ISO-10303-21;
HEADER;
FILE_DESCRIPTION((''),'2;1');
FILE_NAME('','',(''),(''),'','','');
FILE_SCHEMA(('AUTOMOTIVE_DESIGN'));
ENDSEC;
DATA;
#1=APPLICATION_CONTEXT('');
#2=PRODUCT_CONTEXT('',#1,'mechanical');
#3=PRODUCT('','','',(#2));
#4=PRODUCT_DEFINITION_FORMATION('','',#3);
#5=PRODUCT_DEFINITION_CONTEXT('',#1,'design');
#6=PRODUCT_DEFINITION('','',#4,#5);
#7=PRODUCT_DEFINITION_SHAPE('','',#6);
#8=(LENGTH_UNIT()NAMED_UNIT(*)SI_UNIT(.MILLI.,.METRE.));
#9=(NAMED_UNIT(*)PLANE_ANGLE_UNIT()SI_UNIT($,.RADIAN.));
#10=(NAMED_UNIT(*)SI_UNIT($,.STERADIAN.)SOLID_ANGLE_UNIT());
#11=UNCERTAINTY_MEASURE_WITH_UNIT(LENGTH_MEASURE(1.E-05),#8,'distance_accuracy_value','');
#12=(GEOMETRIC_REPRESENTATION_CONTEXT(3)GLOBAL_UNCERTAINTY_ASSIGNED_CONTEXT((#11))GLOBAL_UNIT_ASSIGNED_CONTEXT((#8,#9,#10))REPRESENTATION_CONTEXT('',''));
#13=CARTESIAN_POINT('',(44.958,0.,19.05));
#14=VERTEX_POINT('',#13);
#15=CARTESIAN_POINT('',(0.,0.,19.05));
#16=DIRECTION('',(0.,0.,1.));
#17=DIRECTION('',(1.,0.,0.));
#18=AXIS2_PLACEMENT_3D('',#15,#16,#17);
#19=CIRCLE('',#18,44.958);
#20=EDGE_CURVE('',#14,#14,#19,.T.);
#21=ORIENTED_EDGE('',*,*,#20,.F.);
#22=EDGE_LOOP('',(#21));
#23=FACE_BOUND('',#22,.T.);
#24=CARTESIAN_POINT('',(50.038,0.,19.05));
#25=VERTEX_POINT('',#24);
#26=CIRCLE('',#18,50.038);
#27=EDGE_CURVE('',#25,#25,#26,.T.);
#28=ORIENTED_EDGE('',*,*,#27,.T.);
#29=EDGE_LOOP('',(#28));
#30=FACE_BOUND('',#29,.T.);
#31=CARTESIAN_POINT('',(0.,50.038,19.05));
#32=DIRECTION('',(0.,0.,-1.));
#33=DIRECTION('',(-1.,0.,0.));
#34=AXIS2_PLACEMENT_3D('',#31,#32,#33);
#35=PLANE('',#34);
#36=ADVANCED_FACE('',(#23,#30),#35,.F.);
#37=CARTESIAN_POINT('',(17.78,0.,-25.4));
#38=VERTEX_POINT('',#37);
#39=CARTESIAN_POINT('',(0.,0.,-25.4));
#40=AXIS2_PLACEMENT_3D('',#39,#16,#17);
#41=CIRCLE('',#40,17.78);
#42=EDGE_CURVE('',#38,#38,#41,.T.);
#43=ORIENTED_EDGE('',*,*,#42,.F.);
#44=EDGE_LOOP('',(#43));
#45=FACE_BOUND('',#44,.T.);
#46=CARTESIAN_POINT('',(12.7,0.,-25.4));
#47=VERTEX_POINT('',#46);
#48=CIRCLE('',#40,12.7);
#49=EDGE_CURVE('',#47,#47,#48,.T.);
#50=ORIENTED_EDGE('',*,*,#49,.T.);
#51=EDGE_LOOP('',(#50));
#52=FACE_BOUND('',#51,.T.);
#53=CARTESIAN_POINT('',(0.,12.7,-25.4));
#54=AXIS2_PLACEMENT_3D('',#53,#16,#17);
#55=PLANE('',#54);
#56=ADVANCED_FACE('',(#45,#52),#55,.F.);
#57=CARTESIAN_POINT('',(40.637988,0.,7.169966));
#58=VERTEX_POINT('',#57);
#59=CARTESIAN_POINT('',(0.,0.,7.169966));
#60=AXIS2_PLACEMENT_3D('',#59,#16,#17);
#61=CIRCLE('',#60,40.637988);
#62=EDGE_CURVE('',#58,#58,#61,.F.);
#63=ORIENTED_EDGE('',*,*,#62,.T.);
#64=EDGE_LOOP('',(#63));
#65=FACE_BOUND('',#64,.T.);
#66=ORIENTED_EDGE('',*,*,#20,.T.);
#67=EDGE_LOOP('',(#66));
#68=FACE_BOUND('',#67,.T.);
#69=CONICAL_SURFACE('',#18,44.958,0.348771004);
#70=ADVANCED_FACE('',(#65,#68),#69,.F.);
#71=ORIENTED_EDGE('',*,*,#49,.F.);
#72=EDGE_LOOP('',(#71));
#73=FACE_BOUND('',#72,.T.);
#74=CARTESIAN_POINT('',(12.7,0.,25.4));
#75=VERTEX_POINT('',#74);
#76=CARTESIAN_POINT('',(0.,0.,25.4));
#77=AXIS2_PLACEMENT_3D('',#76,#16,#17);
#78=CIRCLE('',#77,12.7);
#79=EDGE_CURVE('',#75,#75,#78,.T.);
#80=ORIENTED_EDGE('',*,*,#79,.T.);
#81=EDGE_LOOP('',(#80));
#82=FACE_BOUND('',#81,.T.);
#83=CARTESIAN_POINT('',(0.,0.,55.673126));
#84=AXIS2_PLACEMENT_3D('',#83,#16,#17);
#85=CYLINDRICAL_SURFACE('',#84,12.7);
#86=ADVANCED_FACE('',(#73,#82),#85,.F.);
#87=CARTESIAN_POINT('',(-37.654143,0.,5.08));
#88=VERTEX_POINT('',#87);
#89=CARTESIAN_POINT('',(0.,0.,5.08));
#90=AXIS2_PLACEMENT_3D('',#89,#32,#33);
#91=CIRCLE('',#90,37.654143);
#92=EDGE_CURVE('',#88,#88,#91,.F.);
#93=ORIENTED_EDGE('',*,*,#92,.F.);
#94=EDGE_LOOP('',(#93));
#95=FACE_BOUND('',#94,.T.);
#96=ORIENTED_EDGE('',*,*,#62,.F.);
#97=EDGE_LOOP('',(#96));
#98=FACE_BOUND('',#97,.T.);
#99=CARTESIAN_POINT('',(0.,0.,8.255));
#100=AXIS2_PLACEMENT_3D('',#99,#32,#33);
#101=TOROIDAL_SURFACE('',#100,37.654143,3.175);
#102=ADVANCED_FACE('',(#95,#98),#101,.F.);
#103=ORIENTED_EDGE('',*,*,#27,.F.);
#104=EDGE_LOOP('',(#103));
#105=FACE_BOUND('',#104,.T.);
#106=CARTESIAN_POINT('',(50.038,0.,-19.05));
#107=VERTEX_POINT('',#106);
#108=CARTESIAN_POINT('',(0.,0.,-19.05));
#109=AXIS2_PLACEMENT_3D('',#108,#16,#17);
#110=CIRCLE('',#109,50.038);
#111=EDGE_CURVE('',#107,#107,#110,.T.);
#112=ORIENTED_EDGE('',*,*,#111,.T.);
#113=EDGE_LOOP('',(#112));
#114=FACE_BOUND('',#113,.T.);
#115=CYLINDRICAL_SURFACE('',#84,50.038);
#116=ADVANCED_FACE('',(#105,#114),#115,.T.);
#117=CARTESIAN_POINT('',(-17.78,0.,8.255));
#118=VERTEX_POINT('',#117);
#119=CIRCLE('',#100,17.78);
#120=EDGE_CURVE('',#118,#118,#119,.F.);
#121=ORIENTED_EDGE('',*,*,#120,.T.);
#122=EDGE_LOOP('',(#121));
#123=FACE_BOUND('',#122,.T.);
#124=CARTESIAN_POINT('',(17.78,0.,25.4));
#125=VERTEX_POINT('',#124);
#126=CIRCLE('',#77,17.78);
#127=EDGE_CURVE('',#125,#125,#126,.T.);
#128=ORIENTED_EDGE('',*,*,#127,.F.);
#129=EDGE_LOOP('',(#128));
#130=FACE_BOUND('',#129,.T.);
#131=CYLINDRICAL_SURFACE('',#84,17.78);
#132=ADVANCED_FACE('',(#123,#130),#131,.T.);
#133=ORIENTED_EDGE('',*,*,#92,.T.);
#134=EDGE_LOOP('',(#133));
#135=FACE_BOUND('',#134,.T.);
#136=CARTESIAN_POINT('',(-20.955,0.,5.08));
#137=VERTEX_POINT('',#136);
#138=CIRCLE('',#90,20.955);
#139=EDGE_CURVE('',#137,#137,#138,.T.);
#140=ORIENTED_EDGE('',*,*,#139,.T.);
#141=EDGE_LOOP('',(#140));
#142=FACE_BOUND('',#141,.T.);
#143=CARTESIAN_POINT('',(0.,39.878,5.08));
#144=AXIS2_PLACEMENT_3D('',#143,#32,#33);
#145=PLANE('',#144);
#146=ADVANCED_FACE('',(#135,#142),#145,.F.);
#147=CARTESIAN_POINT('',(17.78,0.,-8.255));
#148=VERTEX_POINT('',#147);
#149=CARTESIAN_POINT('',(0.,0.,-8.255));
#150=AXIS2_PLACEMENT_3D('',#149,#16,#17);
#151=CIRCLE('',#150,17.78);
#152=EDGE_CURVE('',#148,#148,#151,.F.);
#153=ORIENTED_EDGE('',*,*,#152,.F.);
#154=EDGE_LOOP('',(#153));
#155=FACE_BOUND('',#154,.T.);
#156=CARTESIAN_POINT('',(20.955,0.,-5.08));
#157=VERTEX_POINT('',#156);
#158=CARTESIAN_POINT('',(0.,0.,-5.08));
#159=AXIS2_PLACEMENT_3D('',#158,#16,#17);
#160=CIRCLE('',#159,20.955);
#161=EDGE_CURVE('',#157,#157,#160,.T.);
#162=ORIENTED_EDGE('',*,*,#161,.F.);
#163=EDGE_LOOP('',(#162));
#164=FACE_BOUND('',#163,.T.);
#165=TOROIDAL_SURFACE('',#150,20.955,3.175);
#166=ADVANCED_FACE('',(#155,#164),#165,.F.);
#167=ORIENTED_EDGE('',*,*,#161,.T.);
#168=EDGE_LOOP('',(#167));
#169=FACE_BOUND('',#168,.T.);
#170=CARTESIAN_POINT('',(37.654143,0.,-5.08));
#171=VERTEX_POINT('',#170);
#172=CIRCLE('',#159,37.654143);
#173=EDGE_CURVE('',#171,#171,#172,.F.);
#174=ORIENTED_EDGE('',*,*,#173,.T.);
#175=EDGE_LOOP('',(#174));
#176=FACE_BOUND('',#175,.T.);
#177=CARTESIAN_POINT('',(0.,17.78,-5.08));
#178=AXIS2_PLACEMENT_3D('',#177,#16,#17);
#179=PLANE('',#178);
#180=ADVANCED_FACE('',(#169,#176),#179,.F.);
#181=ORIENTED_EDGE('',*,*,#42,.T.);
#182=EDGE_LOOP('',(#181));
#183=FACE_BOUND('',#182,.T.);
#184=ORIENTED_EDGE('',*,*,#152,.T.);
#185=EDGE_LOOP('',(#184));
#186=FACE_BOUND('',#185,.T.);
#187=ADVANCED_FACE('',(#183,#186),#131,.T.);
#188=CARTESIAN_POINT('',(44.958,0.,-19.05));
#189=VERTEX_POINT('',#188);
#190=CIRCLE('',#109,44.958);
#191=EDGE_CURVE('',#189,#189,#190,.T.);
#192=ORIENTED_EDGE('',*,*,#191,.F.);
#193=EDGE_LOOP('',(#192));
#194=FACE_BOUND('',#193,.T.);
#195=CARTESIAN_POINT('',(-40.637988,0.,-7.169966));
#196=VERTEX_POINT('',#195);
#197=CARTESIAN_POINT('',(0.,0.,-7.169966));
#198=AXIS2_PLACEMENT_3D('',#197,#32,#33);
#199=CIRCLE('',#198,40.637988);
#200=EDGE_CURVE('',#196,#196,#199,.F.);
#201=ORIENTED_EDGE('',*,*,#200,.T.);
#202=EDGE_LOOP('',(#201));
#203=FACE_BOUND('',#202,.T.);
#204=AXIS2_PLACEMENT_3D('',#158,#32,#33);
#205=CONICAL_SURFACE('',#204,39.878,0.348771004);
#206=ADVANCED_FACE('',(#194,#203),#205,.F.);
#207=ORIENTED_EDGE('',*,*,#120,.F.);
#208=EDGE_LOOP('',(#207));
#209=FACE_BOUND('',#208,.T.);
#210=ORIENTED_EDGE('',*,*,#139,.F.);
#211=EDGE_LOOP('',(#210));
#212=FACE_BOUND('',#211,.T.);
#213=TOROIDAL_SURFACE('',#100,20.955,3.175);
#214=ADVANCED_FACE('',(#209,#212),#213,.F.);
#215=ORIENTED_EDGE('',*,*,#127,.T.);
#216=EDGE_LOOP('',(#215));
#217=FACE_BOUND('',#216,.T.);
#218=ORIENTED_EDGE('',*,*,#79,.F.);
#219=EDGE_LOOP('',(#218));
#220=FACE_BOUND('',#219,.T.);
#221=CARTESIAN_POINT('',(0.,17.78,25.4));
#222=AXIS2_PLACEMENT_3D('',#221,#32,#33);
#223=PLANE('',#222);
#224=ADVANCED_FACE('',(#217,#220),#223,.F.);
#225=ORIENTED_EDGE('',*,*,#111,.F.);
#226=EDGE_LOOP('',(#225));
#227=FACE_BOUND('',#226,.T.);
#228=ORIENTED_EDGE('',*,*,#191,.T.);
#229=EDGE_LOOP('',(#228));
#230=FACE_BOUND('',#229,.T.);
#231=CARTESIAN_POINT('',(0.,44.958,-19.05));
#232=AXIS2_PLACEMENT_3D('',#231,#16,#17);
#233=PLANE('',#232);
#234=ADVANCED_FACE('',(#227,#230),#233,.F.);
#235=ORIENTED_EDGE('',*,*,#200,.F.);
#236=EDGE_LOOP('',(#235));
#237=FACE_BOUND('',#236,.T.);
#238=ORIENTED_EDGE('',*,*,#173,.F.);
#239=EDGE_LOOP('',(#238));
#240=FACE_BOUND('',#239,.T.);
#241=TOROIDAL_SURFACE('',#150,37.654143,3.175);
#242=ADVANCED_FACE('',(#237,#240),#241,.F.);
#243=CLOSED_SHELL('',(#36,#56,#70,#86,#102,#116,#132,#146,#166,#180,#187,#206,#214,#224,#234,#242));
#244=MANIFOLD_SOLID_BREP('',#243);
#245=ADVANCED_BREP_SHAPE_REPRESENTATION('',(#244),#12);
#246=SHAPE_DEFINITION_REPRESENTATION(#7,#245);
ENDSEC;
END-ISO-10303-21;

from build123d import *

# Parameters (mm, degrees)
FILLET1_R = 3.175
FILLET2_R = 3.175
FILLET3_R = 3.175
FILLET4_R = 3.175


with BuildPart() as part:
    # Sketch1 → Revolve1 (revolve)
    with BuildSketch(Plane(origin=(0, 0, 0), x_dir=(0, 0, -1), z_dir=(1, 0, 0))):
        Polygon((-25.4, 12.7), (25.4, 12.7), (25.4, 17.78), (5.08, 17.78), (5.08, 39.878), (19.05, 44.958), (19.05, 50.038), (-19.05, 50.038), (-19.05, 44.958), (-5.08, 39.878), (-5.08, 17.78), (-25.4, 17.78), align=None)
    revolve(axis=Axis((0, 0, 55.673126484), (0, 0, -1)))

    # Fillet1
    fillet1_edges = [part.edges().sort_by_distance(p)[0] for p in [
        (0, -17.78, 5.08),
    ]]
    fillet(fillet1_edges, radius=FILLET1_R)

    # Fillet2
    fillet2_edges = [part.edges().sort_by_distance(p)[0] for p in [
        (0, -39.878, 5.08),
    ]]
    fillet(fillet2_edges, radius=FILLET2_R)

    # Fillet3
    fillet3_edges = [part.edges().sort_by_distance(p)[0] for p in [
        (0, -17.78, -5.08),
    ]]
    fillet(fillet3_edges, radius=FILLET3_R)

    # Fillet4
    fillet4_edges = [part.edges().sort_by_distance(p)[0] for p in [
        (0, -39.878, -5.08),
    ]]
    fillet(fillet4_edges, radius=FILLET4_R)


solid = part.part
